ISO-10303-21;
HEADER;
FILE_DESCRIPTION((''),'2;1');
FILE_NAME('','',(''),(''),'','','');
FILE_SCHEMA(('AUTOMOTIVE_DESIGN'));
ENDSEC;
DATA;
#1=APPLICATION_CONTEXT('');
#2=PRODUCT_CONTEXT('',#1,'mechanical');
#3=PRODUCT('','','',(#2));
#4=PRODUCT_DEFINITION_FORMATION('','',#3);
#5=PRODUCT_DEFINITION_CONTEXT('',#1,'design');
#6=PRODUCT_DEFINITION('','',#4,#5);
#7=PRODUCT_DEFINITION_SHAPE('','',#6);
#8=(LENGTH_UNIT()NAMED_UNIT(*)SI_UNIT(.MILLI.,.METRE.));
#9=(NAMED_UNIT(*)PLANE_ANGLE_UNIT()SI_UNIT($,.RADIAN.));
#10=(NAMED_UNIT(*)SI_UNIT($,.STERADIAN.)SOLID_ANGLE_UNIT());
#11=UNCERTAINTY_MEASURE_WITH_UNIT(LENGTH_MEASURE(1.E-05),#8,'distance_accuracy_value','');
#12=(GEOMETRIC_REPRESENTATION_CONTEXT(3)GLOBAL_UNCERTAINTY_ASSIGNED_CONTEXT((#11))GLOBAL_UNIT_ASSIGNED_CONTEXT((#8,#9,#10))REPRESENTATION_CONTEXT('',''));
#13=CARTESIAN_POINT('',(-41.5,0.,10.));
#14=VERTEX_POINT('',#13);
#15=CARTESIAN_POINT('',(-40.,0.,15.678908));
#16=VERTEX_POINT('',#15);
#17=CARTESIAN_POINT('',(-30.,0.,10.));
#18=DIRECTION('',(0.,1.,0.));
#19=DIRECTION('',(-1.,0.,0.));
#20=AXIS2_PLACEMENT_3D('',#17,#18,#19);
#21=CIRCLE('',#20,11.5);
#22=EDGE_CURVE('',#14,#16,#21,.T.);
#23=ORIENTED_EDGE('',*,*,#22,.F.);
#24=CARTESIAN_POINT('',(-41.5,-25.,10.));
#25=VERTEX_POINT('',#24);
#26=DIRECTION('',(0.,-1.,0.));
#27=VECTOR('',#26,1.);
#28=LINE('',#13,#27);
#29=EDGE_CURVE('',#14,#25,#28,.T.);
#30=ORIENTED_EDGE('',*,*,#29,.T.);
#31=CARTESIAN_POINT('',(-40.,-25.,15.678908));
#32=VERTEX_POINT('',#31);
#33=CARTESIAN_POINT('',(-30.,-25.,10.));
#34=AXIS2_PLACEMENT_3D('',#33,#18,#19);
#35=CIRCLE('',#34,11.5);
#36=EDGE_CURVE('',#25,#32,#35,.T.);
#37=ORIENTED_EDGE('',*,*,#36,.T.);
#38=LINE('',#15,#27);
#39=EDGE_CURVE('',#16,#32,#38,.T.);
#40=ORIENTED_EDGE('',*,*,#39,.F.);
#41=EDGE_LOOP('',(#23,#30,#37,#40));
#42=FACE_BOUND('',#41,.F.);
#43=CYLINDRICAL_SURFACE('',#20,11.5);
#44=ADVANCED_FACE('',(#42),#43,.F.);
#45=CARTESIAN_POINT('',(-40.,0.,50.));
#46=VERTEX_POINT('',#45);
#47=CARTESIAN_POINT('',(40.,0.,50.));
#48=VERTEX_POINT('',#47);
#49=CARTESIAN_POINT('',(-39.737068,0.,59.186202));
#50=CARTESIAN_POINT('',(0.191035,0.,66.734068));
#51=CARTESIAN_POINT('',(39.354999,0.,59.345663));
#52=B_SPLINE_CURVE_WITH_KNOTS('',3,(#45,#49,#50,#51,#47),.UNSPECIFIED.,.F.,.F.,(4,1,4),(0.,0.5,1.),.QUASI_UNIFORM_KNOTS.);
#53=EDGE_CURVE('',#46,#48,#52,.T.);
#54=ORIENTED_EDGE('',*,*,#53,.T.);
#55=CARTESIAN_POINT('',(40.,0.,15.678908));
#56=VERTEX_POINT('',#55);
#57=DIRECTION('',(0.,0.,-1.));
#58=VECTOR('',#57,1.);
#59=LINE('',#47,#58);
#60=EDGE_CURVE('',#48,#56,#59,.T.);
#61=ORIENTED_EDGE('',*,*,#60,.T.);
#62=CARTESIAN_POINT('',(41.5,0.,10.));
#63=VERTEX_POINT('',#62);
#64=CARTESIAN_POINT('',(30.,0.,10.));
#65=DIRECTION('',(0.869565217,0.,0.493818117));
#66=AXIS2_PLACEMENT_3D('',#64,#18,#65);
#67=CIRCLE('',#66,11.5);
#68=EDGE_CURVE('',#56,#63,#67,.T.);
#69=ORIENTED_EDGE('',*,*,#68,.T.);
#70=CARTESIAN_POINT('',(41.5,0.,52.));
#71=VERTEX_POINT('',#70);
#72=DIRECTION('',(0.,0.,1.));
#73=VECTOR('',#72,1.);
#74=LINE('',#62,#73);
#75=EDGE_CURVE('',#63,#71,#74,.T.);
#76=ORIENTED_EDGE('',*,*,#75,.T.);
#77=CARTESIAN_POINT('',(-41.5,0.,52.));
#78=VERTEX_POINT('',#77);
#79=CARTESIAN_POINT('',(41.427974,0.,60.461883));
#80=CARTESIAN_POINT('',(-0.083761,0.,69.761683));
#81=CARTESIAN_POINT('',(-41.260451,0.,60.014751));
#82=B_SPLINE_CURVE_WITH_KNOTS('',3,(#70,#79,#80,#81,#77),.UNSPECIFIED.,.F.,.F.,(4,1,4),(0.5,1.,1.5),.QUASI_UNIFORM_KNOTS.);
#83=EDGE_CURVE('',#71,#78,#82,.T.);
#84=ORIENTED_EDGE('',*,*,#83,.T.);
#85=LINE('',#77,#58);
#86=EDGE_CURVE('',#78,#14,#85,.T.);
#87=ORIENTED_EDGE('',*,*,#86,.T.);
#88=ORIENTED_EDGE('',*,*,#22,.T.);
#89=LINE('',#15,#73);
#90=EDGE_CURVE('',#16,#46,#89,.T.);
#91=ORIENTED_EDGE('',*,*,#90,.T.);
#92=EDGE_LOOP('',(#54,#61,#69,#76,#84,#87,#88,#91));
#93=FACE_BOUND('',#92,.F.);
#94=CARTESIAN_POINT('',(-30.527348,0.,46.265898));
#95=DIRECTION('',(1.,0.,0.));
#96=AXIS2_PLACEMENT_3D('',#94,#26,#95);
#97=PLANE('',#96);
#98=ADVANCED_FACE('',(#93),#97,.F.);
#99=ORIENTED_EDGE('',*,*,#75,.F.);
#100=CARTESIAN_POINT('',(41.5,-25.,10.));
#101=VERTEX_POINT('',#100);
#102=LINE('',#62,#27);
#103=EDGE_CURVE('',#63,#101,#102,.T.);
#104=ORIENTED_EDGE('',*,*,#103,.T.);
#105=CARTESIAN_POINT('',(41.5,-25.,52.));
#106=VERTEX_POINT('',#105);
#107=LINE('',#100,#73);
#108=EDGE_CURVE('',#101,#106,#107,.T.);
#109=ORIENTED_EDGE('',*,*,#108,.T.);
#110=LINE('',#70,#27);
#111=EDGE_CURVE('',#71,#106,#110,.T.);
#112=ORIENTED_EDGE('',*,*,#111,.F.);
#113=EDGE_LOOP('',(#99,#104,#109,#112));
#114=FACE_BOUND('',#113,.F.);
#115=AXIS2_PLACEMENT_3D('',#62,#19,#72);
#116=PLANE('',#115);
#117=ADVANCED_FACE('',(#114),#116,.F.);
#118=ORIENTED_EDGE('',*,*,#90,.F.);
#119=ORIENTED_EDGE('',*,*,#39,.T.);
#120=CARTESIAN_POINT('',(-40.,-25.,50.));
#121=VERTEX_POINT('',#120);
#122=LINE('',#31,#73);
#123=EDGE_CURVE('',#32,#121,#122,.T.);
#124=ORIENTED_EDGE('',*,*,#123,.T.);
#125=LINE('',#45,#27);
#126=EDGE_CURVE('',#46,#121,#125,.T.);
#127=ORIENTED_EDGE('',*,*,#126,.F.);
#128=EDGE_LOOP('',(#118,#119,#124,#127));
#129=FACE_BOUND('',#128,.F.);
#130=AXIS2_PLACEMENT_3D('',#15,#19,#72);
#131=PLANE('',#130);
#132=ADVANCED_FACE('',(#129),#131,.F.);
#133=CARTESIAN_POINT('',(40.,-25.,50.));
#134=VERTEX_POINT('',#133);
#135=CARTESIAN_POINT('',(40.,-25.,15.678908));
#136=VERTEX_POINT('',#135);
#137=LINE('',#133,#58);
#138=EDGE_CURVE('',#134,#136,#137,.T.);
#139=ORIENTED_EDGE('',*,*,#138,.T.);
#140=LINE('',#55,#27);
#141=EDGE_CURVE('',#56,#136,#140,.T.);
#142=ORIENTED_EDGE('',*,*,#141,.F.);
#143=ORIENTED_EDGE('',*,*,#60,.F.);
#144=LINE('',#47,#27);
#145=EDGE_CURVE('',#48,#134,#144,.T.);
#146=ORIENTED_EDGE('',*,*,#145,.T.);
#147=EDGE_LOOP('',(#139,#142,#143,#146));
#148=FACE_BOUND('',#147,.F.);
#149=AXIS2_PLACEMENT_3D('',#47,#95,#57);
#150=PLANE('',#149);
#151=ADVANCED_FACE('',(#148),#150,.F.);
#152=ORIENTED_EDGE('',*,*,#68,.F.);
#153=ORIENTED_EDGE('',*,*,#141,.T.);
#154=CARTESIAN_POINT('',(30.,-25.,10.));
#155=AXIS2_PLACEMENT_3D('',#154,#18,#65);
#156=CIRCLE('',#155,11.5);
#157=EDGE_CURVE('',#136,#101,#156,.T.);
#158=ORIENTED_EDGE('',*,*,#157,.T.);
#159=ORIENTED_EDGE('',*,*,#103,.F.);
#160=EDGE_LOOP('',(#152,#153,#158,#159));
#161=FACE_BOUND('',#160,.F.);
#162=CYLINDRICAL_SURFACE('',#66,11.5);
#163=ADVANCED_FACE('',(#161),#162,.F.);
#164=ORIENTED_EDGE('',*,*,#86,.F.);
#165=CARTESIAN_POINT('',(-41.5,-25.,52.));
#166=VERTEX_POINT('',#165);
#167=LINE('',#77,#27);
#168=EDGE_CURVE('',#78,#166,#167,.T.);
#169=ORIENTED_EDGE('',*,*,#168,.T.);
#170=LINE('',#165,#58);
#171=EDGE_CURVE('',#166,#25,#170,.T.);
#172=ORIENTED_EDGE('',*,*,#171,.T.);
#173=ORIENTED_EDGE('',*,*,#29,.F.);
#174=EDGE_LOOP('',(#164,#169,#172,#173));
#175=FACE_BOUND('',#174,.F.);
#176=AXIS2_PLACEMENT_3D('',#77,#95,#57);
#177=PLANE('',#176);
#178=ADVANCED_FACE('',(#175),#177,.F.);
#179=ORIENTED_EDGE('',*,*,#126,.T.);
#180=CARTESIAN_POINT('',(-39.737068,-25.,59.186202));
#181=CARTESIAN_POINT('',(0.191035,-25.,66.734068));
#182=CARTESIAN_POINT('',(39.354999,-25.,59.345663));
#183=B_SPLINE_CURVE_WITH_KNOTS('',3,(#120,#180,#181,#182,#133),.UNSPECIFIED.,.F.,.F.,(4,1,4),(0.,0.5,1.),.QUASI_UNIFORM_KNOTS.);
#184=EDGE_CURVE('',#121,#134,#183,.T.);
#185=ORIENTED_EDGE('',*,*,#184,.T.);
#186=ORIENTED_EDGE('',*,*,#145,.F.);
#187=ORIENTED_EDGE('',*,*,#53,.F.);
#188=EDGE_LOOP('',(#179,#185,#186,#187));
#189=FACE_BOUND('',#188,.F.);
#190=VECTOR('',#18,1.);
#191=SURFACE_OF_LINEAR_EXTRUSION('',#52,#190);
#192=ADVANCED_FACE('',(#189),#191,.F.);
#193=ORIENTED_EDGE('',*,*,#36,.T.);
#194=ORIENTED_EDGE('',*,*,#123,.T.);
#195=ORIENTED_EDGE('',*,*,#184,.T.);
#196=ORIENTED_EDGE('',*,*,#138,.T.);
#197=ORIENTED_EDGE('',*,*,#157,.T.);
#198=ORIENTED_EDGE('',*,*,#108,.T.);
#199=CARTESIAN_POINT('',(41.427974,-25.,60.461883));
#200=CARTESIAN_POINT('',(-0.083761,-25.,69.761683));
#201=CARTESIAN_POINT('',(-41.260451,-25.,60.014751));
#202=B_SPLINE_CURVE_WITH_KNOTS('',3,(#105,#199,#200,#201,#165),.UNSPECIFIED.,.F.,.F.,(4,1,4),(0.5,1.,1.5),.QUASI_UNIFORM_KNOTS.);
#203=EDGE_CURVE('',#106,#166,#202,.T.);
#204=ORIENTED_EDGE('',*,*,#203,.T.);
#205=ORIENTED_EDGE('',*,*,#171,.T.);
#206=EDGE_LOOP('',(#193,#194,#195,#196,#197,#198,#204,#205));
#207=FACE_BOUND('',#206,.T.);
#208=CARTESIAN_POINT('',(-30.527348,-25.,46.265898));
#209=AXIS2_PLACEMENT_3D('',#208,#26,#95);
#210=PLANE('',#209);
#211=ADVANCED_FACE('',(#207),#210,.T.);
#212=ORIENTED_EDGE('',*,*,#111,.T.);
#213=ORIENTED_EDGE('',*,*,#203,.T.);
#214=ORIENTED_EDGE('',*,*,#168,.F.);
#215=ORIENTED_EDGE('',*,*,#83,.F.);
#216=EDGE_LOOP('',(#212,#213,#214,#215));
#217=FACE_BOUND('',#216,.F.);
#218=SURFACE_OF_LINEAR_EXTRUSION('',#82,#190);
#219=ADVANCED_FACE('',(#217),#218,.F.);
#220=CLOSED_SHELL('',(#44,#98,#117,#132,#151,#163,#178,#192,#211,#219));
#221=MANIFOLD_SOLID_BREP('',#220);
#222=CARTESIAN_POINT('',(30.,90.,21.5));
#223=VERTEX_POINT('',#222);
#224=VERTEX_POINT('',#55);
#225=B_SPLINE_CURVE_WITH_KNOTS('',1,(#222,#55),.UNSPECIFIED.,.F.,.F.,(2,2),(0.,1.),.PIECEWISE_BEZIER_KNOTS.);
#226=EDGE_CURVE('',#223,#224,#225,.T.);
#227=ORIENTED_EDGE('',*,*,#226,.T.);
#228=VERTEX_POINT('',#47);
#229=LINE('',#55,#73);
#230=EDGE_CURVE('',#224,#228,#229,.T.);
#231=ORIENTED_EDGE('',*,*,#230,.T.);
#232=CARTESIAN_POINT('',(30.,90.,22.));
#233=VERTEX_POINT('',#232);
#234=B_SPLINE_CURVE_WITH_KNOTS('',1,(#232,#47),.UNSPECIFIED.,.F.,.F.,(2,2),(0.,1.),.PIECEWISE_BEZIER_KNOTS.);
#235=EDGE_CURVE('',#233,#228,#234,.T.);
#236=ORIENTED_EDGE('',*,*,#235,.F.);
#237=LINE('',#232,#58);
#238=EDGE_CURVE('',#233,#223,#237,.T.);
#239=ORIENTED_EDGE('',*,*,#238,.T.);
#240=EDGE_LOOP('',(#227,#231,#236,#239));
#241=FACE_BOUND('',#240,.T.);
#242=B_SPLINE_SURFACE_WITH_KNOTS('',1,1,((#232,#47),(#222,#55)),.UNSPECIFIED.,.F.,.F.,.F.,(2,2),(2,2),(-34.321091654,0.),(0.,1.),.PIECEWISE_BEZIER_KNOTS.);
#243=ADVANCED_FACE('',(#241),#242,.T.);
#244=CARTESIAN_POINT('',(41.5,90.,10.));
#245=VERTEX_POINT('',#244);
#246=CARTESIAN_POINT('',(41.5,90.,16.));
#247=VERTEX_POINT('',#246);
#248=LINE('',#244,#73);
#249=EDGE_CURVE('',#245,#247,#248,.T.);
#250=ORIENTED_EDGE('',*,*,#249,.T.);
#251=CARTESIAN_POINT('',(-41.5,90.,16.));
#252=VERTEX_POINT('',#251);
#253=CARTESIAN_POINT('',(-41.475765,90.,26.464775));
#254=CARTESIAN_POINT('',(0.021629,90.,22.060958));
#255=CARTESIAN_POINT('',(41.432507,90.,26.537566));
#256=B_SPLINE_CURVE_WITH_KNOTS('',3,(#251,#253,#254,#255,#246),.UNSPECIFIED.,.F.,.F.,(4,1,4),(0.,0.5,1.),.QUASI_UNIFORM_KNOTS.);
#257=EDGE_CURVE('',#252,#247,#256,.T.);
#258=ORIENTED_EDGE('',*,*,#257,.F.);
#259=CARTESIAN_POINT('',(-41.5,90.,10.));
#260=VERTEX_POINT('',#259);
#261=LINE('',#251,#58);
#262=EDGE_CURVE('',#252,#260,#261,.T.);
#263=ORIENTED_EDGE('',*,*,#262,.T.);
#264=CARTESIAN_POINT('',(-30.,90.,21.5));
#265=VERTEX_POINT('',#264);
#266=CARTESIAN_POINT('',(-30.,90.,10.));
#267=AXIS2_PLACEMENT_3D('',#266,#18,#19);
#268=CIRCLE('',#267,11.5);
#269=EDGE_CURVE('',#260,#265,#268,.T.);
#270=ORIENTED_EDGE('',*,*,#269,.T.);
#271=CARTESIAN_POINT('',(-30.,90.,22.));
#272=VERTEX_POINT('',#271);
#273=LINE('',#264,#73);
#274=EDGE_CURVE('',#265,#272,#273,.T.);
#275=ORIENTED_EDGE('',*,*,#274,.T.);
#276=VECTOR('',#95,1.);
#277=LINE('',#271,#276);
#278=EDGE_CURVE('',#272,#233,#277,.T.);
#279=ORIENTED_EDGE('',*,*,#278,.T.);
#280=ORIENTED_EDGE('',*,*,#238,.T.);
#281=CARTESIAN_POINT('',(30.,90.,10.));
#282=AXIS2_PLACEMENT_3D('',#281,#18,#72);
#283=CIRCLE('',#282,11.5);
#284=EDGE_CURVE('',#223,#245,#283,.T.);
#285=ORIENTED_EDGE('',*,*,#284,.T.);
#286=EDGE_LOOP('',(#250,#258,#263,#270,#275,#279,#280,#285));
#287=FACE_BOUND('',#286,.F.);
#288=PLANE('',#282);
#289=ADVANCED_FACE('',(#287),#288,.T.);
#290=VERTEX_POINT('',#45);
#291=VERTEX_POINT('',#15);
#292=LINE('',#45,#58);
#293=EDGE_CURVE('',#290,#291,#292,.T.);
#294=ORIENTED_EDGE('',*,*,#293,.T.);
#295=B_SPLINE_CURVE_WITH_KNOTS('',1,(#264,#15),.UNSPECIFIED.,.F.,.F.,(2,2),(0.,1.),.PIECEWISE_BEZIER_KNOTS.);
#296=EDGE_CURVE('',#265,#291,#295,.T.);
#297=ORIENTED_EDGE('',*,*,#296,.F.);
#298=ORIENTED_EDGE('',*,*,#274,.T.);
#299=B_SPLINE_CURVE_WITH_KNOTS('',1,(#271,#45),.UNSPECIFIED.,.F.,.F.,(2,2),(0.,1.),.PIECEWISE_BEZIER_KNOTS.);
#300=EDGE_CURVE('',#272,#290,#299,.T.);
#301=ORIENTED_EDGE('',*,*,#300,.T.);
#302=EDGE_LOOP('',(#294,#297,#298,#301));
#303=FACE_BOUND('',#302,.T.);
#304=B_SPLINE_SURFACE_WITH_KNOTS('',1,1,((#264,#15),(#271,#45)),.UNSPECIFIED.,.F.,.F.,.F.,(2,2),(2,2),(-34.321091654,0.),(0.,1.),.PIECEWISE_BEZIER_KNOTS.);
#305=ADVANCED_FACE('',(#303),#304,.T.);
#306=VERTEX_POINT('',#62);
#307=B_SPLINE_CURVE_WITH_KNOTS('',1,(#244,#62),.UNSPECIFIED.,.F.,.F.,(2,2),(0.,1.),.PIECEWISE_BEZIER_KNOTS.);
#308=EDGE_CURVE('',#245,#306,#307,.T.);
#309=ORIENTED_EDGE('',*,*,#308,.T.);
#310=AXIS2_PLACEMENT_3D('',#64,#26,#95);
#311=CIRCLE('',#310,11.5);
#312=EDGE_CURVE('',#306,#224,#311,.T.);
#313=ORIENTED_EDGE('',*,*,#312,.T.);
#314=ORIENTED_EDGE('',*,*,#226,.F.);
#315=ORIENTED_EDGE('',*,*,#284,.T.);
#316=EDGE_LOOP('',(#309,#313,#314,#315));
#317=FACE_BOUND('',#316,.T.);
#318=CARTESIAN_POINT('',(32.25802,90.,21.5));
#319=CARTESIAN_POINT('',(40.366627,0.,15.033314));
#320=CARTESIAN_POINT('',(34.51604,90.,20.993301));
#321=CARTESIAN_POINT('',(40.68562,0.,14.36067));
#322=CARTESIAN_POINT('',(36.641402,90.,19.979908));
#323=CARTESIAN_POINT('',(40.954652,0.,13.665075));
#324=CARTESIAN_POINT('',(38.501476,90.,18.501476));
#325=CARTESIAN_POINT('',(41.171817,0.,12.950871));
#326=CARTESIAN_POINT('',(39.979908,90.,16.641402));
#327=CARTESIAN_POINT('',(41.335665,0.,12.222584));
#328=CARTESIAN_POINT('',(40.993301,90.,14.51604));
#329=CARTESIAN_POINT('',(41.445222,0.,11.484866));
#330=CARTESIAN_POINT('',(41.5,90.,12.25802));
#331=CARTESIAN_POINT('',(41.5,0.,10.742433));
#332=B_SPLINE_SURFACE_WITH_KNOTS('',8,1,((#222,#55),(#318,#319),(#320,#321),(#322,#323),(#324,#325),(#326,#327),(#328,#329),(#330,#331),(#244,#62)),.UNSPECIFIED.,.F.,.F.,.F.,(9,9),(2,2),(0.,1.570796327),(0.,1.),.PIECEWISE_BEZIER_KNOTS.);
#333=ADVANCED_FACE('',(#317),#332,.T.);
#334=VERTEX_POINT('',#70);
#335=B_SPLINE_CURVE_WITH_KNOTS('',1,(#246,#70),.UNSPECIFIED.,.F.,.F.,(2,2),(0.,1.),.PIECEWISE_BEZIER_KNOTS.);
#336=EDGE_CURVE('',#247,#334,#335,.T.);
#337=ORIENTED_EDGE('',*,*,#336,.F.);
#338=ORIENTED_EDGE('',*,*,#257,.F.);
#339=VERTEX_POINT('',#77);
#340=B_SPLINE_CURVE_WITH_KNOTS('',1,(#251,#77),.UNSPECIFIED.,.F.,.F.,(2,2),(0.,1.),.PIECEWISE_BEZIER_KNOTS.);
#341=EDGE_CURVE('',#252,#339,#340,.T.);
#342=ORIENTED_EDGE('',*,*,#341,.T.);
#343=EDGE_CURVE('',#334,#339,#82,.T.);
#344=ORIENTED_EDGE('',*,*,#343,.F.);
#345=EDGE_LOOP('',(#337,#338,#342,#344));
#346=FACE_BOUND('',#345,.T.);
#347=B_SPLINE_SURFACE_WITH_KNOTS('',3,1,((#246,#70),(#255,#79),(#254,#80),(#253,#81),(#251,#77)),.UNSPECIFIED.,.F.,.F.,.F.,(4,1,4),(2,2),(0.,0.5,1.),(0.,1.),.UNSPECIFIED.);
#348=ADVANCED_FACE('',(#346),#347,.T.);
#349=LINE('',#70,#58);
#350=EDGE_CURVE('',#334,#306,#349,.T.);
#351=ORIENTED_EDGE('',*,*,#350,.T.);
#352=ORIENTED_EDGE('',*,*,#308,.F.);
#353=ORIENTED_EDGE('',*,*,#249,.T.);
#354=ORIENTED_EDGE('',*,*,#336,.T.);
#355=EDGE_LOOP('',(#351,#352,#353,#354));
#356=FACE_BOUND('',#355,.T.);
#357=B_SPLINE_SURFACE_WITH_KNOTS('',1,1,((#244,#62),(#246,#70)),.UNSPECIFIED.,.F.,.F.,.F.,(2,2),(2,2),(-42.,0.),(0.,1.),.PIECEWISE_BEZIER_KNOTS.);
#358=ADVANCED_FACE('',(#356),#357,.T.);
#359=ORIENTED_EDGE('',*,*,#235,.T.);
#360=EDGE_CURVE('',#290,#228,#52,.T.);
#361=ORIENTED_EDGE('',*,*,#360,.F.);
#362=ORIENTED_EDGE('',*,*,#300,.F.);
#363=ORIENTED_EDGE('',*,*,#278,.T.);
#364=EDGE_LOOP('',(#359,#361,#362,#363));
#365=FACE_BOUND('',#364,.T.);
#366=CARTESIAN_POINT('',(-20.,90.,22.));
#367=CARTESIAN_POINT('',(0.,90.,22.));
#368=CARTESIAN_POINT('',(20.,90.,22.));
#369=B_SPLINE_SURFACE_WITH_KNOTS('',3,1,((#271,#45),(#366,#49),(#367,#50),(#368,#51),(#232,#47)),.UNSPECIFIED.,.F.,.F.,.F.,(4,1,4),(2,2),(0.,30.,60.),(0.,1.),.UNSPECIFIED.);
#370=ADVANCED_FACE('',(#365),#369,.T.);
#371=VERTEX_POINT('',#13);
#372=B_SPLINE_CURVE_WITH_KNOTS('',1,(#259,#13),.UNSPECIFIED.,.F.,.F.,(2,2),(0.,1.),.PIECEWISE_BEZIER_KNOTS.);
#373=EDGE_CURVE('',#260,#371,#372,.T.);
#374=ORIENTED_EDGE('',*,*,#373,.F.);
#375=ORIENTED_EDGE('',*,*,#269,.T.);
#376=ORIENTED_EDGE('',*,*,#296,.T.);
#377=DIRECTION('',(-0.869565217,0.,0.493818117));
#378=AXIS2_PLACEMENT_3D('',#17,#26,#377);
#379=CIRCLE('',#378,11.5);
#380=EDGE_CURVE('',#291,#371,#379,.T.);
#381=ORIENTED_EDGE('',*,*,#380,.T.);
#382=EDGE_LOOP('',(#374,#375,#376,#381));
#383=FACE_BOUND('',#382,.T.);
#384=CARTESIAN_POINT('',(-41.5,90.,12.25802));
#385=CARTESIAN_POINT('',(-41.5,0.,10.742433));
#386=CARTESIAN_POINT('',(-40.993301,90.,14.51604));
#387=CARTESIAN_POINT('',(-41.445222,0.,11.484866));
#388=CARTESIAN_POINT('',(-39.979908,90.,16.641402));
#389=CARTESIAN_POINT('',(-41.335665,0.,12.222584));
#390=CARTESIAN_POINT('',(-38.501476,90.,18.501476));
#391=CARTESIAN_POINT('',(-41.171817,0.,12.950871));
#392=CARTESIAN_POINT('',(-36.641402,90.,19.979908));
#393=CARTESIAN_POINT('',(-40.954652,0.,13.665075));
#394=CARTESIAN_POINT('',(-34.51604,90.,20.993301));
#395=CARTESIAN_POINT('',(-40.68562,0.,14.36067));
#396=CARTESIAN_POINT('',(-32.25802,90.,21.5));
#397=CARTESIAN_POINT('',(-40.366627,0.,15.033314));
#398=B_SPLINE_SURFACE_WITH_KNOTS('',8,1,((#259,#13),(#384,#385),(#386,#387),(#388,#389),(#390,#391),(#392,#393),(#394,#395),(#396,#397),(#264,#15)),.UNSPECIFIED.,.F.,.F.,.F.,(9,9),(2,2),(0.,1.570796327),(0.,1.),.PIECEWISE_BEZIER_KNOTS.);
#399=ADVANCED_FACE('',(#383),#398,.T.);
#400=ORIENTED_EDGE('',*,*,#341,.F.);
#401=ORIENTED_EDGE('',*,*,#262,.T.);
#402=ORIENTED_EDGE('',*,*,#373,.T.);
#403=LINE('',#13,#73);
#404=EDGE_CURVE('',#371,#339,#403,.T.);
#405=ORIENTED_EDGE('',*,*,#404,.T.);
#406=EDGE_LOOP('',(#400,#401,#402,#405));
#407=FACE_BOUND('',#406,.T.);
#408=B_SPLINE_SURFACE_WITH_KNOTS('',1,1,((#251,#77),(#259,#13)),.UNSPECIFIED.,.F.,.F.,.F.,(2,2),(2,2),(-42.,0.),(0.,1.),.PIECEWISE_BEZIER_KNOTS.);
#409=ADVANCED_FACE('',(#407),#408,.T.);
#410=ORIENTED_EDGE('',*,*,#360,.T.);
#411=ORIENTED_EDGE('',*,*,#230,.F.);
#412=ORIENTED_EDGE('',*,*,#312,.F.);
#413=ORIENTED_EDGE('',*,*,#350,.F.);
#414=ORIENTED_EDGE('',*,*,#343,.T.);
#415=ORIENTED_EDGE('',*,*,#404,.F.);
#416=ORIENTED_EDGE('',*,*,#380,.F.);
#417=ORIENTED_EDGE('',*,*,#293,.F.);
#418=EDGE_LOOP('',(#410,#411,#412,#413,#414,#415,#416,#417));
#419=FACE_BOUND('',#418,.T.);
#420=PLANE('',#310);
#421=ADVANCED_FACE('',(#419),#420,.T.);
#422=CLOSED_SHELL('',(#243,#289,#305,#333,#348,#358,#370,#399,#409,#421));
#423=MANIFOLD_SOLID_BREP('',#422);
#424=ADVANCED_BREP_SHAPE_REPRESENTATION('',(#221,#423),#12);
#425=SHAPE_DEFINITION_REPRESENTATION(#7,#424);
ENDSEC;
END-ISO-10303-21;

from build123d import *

# Parameters (mm, degrees)
F2_DEPTH = 25


with BuildPart() as f2:
    # F1 (on Front) → F2 (new body)
    with BuildSketch(Plane.XZ):
        with BuildLine():
            Line((-40, 15.6789083458), (-40, 50))
            add(Edge.make_bspline(
                [(-40, 50), (-39.7370681167, 59.1862015426), (-19.7730166838, 62.9601347372), (0, 63)],
                knots=[0, 0, 0, 0, 0.5, 0.5, 0.5, 0.5], degree=3))
            Line((0, 63), (0, 65))
            add(Edge.make_bspline(
                [(-41.5, 52), (-41.2604510784, 60.0147508085), (-20.6721061841, 64.8882170767), (0, 65)],
                knots=[0, 0, 0, 0, 0.5, 0.5, 0.5, 0.5], degree=3))
            Line((-41.5, 52), (-41.5, 10))
            ThreePointArc((-41.5, 10), (-41.118677979, 12.9368350311), (-40, 15.6789083458))
        make_face()
        with BuildLine():
            add(Edge.make_bspline(
                [(0, 63), (19.7730166838, 63.0398652628), (39.3549986184, 59.3456625938), (40, 50)],
                knots=[0.5, 0.5, 0.5, 0.5, 1, 1, 1, 1], degree=3))
            Line((40, 50), (40, 15.6789083458))
            ThreePointArc((40, 15.6789083458), (41.118677979, 12.9368350311), (41.5, 10))
            Line((41.5, 10), (41.5, 52))
            add(Edge.make_bspline(
                [(0, 65), (20.6721061841, 65.1117829233), (41.4279736578, 60.4618825018), (41.5, 52)],
                knots=[0.5, 0.5, 0.5, 0.5, 1, 1, 1, 1], degree=3))
            Line((0, 65), (0, 63))
        make_face()
    extrude(amount=F2_DEPTH)


with BuildPart() as f5:
    # F4 (on offset) → F5 section 0
    with BuildSketch(Plane.XZ.offset(-90)):
        with BuildLine():
            ThreePointArc((30, 21.5), (38.1317279836, 18.1317279836), (41.5, 10))
            Line((41.5, 10), (41.5, 16))
            add(Edge.make_bspline(
                [(-41.5, 16), (-41.4757654071, 26.4647752047), (0.0216290355, 22.0609577373), (41.4325073361, 26.5375655144), (41.5, 16)],
                knots=[0, 0, 0, 0, 0.5, 1, 1, 1, 1], degree=3))
            Line((-41.5, 16), (-41.5, 10))
            ThreePointArc((-41.5, 10), (-38.1317279836, 18.1317279836), (-30, 21.5))
            Line((-30, 21.5), (-30, 22))
            Line((-30, 22), (30, 22))
            Line((30, 22), (30, 21.5))
        make_face()
    # F2_face (on face) → F5 section 1
    with BuildSketch(Plane(origin=(0.6511212394, 0, 49.7842272157), x_dir=(1, 0, 0), z_dir=(0, 1, 0))):
        with BuildLine():
            Line((-40.6511212394, -0.2157727843), (-40.6511212394, 34.1053188699))
            ThreePointArc((-40.6511212394, 34.1053188699), (-41.7697992183, 36.8473921846), (-42.1511212394, 39.7842272157))
            Line((-42.1511212394, 39.7842272157), (-42.1511212394, -2.2157727843))
            add(Edge.make_bspline(
                [(40.8488787606, -2.2157727843), (40.7768524185, -10.6776552861), (-0.7348825291, -19.9774561291), (-41.9115723178, -10.2305235928), (-42.1511212394, -2.2157727843)],
                knots=[0.5, 0.5, 0.5, 0.5, 1, 1.5, 1.5, 1.5, 1.5], degree=3))
            Line((40.8488787606, -2.2157727843), (40.8488787606, 39.7842272157))
            ThreePointArc((40.8488787606, 39.7842272157), (40.4675567396, 36.8473921846), (39.3488787606, 34.1053188699))
            Line((39.3488787606, 34.1053188699), (39.3488787606, -0.2157727843))
            add(Edge.make_bspline(
                [(-40.6511212394, -0.2157727843), (-40.388189356, -9.4019743269), (-0.4600864902, -16.9498407161), (38.703877379, -9.5614353781), (39.3488787606, -0.2157727843)],
                knots=[0, 0, 0, 0, 0.5, 1, 1, 1, 1], degree=3))
        make_face()
    loft()


solid = Compound([f2.part, f5.part])
